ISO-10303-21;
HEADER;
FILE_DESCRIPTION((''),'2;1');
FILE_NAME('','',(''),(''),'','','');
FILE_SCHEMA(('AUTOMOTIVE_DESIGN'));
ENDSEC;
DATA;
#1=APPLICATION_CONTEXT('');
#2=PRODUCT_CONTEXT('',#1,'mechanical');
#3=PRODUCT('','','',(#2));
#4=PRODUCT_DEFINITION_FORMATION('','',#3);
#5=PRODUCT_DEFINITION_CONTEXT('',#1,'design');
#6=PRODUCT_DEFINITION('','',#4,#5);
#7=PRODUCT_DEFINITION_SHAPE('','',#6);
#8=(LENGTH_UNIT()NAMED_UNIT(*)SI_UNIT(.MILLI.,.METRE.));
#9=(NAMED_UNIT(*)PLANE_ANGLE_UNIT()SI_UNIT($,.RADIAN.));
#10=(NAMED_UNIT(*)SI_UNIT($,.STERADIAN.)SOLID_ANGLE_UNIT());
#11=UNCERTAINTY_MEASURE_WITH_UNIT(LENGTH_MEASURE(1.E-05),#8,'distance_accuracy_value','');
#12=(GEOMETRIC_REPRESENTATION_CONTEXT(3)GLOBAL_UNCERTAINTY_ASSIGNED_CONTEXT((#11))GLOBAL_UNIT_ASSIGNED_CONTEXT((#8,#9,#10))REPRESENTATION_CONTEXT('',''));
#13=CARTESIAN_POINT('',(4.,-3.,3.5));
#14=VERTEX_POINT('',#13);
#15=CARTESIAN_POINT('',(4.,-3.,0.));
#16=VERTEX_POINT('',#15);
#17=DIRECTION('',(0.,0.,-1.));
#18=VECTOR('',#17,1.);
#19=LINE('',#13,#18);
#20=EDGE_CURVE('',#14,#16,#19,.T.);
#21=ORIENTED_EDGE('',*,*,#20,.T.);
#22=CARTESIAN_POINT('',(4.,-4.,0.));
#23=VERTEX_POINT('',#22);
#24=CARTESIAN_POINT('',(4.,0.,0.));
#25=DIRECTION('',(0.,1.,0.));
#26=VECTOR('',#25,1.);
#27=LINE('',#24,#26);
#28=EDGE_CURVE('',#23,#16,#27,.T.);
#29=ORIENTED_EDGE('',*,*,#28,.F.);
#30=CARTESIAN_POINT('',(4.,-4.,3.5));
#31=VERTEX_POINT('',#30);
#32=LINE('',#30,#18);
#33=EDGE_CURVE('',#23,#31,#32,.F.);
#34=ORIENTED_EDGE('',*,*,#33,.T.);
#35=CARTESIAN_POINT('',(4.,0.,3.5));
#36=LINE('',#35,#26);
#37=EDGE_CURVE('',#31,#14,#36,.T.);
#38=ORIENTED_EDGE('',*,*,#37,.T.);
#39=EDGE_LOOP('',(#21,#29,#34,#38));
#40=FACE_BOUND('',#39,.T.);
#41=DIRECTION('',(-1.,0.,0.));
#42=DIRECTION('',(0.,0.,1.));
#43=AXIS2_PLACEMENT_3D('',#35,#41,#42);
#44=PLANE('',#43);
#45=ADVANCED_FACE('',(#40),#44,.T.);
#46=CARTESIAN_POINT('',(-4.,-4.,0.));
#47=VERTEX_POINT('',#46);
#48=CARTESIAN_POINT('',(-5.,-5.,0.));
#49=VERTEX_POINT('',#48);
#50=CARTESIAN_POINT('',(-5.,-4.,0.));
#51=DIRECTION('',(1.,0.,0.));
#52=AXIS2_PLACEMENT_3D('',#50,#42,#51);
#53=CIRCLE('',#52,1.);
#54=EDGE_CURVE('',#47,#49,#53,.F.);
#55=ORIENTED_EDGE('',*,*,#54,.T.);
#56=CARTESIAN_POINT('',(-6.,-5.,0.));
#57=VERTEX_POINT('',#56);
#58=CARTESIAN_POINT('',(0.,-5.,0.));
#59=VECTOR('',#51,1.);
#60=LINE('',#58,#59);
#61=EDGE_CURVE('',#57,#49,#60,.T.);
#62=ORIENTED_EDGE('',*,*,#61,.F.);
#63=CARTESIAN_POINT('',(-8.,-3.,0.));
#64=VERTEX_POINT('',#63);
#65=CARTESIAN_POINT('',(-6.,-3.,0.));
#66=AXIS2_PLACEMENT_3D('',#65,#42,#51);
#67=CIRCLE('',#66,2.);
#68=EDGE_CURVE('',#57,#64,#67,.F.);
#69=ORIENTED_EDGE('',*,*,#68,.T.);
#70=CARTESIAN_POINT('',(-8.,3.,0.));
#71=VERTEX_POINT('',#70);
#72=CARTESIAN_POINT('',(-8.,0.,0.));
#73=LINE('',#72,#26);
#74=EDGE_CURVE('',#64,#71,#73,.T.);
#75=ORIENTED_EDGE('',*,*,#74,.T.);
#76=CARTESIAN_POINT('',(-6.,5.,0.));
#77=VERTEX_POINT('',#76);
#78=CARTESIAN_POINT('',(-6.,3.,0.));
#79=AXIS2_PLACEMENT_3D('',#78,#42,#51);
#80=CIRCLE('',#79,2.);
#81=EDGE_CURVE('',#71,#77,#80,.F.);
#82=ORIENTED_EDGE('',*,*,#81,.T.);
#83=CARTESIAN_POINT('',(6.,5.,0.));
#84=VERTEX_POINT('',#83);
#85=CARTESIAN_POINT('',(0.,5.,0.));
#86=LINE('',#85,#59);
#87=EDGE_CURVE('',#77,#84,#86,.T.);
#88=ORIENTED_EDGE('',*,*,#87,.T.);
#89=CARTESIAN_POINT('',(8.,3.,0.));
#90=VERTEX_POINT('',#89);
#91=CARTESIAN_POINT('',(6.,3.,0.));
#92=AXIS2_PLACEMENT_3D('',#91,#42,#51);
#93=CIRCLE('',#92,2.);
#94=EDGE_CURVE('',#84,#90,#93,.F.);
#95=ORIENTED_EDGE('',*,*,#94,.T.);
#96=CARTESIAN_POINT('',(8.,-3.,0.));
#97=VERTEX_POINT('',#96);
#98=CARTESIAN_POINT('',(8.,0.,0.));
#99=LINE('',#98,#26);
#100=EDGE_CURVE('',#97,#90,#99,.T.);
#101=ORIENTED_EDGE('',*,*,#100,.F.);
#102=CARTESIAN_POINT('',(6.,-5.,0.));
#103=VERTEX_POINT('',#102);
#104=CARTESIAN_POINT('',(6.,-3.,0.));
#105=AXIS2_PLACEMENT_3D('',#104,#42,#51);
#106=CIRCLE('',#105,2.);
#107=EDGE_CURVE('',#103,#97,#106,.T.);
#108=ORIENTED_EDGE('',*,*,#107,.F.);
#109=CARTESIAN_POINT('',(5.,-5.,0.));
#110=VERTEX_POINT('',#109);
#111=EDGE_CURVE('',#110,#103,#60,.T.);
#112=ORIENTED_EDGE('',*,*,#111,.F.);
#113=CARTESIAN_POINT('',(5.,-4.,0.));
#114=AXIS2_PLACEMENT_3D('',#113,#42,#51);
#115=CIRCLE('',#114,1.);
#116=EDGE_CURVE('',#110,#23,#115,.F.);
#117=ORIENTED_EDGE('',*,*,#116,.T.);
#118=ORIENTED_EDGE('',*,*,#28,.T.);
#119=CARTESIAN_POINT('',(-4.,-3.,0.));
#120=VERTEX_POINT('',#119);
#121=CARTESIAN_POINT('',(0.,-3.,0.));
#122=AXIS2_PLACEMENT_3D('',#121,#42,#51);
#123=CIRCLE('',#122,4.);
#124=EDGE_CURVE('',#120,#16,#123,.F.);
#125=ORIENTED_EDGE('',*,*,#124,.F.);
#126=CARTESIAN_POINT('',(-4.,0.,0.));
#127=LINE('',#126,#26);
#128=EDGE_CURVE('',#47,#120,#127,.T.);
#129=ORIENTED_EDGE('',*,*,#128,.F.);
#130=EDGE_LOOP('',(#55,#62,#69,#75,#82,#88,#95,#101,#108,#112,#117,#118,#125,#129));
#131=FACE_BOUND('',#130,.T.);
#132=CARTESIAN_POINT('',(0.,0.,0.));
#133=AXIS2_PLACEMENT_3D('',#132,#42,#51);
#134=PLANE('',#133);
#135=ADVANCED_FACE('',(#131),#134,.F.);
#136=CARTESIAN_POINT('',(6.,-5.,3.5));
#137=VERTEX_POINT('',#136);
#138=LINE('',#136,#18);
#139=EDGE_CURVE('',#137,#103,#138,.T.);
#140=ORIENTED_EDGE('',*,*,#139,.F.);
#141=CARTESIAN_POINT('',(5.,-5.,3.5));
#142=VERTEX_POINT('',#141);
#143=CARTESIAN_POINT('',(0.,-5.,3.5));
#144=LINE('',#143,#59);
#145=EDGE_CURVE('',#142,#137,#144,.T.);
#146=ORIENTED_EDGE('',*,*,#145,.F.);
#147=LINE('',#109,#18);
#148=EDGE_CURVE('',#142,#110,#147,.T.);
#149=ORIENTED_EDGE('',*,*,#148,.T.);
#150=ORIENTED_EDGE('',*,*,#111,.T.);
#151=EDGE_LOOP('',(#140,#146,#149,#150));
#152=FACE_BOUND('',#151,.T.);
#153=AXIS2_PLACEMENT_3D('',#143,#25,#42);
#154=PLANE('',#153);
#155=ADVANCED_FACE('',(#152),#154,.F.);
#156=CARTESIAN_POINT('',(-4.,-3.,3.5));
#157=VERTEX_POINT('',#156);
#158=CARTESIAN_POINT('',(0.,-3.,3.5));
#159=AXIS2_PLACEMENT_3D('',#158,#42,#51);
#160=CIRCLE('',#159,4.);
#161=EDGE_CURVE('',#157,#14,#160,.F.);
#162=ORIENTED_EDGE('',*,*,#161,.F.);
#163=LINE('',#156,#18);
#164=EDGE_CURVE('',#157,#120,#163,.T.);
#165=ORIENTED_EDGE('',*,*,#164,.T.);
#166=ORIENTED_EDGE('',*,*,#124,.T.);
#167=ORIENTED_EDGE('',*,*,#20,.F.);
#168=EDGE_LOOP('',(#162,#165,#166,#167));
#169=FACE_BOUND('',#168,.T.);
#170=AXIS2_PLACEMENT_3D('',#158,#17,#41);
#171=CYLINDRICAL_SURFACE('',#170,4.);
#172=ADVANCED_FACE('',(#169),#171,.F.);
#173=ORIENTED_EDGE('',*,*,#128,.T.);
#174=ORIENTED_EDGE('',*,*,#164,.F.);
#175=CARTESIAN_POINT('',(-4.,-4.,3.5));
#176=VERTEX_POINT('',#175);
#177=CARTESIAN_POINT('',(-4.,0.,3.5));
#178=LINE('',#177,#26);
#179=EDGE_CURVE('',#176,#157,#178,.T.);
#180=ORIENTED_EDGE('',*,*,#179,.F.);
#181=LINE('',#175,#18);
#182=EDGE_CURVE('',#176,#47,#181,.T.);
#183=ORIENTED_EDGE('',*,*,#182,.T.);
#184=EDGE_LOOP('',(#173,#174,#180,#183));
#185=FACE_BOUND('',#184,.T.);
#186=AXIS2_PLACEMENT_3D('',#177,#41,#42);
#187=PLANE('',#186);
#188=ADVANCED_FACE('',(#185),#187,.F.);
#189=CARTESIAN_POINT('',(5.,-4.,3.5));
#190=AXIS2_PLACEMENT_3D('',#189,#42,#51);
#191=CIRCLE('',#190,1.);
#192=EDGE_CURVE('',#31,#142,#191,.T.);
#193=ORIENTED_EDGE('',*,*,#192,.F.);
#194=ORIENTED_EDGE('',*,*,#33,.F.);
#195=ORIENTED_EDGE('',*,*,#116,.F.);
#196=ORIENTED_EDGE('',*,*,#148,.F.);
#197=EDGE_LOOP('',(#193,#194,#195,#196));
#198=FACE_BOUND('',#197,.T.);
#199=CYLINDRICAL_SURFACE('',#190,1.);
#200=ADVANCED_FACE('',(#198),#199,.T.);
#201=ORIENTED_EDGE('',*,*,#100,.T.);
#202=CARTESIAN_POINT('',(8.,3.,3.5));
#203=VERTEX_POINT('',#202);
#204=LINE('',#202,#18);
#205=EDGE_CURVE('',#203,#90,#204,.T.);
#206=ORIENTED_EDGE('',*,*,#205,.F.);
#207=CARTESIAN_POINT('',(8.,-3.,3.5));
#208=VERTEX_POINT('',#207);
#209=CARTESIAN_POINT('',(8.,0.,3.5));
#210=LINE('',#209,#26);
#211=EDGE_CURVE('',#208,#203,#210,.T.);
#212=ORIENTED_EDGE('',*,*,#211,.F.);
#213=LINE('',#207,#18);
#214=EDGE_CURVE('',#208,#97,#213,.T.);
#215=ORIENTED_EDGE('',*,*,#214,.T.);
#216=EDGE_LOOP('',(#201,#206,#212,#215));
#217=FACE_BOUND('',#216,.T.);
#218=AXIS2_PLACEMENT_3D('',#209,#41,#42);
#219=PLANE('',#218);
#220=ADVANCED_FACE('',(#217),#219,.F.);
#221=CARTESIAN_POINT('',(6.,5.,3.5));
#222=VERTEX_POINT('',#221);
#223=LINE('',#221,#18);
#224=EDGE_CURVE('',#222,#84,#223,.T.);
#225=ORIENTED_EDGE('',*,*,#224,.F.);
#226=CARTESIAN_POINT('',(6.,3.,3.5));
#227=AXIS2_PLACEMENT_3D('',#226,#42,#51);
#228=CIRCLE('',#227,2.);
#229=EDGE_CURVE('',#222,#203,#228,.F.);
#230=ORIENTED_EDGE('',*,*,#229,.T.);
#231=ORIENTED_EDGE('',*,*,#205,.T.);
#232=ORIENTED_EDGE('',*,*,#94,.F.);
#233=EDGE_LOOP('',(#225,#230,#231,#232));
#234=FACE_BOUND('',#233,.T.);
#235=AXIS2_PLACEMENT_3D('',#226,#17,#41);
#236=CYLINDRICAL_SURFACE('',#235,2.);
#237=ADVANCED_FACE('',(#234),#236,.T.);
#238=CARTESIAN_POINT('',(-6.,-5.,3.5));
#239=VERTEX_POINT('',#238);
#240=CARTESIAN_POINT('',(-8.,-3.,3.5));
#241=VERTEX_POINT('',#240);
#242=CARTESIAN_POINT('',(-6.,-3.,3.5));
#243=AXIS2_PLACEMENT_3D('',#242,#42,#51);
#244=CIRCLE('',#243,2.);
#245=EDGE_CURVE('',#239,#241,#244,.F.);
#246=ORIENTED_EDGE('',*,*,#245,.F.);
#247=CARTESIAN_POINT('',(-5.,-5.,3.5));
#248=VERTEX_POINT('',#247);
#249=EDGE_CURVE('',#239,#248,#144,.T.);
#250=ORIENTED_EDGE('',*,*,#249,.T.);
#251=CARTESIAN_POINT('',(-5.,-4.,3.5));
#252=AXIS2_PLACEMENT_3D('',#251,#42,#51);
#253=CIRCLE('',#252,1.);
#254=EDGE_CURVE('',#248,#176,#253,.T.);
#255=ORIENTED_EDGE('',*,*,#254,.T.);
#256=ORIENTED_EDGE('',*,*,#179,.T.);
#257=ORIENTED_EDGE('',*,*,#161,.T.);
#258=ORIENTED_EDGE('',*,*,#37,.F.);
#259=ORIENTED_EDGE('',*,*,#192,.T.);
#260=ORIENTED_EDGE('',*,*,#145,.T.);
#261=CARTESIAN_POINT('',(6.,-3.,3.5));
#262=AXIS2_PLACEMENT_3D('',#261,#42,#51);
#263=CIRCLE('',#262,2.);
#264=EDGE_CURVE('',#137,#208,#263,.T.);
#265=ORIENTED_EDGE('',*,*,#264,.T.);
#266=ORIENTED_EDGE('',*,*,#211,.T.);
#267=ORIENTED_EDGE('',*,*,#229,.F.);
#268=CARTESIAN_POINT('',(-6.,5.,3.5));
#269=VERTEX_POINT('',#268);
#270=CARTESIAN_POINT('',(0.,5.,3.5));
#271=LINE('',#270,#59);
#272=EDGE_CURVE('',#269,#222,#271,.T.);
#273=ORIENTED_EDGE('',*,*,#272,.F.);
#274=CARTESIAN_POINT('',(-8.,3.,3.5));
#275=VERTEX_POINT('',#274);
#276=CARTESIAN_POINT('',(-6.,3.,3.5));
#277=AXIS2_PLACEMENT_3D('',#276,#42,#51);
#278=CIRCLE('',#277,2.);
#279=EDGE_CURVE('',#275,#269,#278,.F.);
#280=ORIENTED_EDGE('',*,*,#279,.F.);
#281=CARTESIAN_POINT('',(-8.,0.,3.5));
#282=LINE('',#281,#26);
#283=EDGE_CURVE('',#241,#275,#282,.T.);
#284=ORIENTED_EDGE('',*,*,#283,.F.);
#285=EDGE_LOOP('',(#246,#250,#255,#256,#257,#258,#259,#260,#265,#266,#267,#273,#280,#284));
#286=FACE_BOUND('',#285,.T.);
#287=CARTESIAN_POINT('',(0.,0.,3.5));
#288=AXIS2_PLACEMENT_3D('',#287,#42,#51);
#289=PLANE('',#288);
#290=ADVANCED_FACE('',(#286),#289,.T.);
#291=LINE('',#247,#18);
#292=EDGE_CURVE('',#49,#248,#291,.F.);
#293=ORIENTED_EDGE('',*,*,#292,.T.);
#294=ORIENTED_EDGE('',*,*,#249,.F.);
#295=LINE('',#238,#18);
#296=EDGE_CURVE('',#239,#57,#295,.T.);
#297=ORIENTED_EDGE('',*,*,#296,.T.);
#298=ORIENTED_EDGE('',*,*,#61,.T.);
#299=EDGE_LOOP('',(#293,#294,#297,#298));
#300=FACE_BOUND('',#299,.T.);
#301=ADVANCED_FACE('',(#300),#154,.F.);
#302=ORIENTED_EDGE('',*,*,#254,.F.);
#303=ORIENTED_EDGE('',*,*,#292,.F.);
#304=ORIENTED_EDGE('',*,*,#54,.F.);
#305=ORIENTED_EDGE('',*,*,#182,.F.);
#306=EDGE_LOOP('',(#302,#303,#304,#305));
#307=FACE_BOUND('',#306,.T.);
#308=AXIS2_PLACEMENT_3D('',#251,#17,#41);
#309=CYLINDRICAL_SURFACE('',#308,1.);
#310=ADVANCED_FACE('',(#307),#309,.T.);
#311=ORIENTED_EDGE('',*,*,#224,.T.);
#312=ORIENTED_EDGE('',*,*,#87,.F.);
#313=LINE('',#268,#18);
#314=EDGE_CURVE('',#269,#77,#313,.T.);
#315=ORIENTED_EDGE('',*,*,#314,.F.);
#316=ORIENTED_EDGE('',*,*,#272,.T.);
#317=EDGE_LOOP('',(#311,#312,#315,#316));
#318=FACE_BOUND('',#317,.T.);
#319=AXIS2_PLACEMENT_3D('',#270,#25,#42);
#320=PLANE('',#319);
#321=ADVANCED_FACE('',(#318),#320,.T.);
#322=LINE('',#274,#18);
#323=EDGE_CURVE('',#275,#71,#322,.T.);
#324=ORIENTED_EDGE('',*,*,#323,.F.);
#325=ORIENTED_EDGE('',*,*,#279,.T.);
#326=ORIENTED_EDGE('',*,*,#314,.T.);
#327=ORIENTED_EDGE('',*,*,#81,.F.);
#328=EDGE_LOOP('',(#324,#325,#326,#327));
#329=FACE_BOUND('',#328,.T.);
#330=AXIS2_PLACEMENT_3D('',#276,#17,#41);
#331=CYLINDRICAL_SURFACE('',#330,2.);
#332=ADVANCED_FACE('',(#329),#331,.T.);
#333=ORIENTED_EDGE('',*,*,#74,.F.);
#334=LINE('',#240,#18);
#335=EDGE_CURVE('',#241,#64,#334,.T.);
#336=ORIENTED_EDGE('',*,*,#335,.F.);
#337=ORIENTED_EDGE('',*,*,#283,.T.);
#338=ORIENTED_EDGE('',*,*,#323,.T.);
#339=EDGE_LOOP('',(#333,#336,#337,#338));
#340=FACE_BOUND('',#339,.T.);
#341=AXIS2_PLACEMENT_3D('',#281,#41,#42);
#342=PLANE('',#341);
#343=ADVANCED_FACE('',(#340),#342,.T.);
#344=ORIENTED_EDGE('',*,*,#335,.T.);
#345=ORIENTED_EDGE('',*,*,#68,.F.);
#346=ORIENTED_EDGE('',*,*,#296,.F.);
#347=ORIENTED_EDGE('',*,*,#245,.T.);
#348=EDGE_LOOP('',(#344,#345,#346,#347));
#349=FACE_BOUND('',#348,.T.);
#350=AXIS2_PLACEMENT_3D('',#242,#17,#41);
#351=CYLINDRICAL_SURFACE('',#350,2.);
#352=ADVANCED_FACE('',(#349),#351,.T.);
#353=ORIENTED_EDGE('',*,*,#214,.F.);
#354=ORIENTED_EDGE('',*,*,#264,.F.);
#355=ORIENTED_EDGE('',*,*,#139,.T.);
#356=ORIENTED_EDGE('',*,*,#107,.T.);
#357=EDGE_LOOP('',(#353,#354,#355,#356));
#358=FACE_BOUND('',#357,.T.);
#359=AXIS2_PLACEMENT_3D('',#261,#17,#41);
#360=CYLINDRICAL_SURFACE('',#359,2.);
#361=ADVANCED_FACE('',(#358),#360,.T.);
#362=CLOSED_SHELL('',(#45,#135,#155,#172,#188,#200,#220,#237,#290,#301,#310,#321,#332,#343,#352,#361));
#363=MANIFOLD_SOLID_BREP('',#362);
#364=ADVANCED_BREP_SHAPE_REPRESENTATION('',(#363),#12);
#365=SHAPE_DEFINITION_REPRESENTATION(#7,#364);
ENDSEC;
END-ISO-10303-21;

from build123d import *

# Parameters (mm, degrees)
BOSS_EXTRUDE1_DEPTH = 3.5
FILLET1_R           = 1


with BuildPart() as part:
    # Sketch1 → Boss-Extrude1 (new body)
    with BuildSketch(Plane.XY):
        with BuildLine():
            Line((-6, -5), (-4, -5))
            Line((-4, -5), (-4, -3))
            ThreePointArc((-4, -3), (0, 1), (4, -3))
            Line((4, -3), (4, -5))
            Line((4, -5), (6, -5))
            ThreePointArc((6, -5), (7.414213562, -4.414213562), (8, -3))
            Line((8, -3), (8, 3))
            ThreePointArc((8, 3), (7.414213562, 4.414213562), (6, 5))
            Line((6, 5), (-6, 5))
            ThreePointArc((-6, 5), (-7.414213562, 4.414213562), (-8, 3))
            Line((-8, 3), (-8, -3))
            ThreePointArc((-8, -3), (-7.414213562, -4.414213562), (-6, -5))
        make_face()
    extrude(amount=BOSS_EXTRUDE1_DEPTH)

    # Fillet1
    fillet1_edges = [part.edges().sort_by_distance(p)[0] for p in [
        (-4, -5, 1.75),
        (4, -5, 1.75),
    ]]
    fillet(fillet1_edges, radius=FILLET1_R)


solid = part.part
